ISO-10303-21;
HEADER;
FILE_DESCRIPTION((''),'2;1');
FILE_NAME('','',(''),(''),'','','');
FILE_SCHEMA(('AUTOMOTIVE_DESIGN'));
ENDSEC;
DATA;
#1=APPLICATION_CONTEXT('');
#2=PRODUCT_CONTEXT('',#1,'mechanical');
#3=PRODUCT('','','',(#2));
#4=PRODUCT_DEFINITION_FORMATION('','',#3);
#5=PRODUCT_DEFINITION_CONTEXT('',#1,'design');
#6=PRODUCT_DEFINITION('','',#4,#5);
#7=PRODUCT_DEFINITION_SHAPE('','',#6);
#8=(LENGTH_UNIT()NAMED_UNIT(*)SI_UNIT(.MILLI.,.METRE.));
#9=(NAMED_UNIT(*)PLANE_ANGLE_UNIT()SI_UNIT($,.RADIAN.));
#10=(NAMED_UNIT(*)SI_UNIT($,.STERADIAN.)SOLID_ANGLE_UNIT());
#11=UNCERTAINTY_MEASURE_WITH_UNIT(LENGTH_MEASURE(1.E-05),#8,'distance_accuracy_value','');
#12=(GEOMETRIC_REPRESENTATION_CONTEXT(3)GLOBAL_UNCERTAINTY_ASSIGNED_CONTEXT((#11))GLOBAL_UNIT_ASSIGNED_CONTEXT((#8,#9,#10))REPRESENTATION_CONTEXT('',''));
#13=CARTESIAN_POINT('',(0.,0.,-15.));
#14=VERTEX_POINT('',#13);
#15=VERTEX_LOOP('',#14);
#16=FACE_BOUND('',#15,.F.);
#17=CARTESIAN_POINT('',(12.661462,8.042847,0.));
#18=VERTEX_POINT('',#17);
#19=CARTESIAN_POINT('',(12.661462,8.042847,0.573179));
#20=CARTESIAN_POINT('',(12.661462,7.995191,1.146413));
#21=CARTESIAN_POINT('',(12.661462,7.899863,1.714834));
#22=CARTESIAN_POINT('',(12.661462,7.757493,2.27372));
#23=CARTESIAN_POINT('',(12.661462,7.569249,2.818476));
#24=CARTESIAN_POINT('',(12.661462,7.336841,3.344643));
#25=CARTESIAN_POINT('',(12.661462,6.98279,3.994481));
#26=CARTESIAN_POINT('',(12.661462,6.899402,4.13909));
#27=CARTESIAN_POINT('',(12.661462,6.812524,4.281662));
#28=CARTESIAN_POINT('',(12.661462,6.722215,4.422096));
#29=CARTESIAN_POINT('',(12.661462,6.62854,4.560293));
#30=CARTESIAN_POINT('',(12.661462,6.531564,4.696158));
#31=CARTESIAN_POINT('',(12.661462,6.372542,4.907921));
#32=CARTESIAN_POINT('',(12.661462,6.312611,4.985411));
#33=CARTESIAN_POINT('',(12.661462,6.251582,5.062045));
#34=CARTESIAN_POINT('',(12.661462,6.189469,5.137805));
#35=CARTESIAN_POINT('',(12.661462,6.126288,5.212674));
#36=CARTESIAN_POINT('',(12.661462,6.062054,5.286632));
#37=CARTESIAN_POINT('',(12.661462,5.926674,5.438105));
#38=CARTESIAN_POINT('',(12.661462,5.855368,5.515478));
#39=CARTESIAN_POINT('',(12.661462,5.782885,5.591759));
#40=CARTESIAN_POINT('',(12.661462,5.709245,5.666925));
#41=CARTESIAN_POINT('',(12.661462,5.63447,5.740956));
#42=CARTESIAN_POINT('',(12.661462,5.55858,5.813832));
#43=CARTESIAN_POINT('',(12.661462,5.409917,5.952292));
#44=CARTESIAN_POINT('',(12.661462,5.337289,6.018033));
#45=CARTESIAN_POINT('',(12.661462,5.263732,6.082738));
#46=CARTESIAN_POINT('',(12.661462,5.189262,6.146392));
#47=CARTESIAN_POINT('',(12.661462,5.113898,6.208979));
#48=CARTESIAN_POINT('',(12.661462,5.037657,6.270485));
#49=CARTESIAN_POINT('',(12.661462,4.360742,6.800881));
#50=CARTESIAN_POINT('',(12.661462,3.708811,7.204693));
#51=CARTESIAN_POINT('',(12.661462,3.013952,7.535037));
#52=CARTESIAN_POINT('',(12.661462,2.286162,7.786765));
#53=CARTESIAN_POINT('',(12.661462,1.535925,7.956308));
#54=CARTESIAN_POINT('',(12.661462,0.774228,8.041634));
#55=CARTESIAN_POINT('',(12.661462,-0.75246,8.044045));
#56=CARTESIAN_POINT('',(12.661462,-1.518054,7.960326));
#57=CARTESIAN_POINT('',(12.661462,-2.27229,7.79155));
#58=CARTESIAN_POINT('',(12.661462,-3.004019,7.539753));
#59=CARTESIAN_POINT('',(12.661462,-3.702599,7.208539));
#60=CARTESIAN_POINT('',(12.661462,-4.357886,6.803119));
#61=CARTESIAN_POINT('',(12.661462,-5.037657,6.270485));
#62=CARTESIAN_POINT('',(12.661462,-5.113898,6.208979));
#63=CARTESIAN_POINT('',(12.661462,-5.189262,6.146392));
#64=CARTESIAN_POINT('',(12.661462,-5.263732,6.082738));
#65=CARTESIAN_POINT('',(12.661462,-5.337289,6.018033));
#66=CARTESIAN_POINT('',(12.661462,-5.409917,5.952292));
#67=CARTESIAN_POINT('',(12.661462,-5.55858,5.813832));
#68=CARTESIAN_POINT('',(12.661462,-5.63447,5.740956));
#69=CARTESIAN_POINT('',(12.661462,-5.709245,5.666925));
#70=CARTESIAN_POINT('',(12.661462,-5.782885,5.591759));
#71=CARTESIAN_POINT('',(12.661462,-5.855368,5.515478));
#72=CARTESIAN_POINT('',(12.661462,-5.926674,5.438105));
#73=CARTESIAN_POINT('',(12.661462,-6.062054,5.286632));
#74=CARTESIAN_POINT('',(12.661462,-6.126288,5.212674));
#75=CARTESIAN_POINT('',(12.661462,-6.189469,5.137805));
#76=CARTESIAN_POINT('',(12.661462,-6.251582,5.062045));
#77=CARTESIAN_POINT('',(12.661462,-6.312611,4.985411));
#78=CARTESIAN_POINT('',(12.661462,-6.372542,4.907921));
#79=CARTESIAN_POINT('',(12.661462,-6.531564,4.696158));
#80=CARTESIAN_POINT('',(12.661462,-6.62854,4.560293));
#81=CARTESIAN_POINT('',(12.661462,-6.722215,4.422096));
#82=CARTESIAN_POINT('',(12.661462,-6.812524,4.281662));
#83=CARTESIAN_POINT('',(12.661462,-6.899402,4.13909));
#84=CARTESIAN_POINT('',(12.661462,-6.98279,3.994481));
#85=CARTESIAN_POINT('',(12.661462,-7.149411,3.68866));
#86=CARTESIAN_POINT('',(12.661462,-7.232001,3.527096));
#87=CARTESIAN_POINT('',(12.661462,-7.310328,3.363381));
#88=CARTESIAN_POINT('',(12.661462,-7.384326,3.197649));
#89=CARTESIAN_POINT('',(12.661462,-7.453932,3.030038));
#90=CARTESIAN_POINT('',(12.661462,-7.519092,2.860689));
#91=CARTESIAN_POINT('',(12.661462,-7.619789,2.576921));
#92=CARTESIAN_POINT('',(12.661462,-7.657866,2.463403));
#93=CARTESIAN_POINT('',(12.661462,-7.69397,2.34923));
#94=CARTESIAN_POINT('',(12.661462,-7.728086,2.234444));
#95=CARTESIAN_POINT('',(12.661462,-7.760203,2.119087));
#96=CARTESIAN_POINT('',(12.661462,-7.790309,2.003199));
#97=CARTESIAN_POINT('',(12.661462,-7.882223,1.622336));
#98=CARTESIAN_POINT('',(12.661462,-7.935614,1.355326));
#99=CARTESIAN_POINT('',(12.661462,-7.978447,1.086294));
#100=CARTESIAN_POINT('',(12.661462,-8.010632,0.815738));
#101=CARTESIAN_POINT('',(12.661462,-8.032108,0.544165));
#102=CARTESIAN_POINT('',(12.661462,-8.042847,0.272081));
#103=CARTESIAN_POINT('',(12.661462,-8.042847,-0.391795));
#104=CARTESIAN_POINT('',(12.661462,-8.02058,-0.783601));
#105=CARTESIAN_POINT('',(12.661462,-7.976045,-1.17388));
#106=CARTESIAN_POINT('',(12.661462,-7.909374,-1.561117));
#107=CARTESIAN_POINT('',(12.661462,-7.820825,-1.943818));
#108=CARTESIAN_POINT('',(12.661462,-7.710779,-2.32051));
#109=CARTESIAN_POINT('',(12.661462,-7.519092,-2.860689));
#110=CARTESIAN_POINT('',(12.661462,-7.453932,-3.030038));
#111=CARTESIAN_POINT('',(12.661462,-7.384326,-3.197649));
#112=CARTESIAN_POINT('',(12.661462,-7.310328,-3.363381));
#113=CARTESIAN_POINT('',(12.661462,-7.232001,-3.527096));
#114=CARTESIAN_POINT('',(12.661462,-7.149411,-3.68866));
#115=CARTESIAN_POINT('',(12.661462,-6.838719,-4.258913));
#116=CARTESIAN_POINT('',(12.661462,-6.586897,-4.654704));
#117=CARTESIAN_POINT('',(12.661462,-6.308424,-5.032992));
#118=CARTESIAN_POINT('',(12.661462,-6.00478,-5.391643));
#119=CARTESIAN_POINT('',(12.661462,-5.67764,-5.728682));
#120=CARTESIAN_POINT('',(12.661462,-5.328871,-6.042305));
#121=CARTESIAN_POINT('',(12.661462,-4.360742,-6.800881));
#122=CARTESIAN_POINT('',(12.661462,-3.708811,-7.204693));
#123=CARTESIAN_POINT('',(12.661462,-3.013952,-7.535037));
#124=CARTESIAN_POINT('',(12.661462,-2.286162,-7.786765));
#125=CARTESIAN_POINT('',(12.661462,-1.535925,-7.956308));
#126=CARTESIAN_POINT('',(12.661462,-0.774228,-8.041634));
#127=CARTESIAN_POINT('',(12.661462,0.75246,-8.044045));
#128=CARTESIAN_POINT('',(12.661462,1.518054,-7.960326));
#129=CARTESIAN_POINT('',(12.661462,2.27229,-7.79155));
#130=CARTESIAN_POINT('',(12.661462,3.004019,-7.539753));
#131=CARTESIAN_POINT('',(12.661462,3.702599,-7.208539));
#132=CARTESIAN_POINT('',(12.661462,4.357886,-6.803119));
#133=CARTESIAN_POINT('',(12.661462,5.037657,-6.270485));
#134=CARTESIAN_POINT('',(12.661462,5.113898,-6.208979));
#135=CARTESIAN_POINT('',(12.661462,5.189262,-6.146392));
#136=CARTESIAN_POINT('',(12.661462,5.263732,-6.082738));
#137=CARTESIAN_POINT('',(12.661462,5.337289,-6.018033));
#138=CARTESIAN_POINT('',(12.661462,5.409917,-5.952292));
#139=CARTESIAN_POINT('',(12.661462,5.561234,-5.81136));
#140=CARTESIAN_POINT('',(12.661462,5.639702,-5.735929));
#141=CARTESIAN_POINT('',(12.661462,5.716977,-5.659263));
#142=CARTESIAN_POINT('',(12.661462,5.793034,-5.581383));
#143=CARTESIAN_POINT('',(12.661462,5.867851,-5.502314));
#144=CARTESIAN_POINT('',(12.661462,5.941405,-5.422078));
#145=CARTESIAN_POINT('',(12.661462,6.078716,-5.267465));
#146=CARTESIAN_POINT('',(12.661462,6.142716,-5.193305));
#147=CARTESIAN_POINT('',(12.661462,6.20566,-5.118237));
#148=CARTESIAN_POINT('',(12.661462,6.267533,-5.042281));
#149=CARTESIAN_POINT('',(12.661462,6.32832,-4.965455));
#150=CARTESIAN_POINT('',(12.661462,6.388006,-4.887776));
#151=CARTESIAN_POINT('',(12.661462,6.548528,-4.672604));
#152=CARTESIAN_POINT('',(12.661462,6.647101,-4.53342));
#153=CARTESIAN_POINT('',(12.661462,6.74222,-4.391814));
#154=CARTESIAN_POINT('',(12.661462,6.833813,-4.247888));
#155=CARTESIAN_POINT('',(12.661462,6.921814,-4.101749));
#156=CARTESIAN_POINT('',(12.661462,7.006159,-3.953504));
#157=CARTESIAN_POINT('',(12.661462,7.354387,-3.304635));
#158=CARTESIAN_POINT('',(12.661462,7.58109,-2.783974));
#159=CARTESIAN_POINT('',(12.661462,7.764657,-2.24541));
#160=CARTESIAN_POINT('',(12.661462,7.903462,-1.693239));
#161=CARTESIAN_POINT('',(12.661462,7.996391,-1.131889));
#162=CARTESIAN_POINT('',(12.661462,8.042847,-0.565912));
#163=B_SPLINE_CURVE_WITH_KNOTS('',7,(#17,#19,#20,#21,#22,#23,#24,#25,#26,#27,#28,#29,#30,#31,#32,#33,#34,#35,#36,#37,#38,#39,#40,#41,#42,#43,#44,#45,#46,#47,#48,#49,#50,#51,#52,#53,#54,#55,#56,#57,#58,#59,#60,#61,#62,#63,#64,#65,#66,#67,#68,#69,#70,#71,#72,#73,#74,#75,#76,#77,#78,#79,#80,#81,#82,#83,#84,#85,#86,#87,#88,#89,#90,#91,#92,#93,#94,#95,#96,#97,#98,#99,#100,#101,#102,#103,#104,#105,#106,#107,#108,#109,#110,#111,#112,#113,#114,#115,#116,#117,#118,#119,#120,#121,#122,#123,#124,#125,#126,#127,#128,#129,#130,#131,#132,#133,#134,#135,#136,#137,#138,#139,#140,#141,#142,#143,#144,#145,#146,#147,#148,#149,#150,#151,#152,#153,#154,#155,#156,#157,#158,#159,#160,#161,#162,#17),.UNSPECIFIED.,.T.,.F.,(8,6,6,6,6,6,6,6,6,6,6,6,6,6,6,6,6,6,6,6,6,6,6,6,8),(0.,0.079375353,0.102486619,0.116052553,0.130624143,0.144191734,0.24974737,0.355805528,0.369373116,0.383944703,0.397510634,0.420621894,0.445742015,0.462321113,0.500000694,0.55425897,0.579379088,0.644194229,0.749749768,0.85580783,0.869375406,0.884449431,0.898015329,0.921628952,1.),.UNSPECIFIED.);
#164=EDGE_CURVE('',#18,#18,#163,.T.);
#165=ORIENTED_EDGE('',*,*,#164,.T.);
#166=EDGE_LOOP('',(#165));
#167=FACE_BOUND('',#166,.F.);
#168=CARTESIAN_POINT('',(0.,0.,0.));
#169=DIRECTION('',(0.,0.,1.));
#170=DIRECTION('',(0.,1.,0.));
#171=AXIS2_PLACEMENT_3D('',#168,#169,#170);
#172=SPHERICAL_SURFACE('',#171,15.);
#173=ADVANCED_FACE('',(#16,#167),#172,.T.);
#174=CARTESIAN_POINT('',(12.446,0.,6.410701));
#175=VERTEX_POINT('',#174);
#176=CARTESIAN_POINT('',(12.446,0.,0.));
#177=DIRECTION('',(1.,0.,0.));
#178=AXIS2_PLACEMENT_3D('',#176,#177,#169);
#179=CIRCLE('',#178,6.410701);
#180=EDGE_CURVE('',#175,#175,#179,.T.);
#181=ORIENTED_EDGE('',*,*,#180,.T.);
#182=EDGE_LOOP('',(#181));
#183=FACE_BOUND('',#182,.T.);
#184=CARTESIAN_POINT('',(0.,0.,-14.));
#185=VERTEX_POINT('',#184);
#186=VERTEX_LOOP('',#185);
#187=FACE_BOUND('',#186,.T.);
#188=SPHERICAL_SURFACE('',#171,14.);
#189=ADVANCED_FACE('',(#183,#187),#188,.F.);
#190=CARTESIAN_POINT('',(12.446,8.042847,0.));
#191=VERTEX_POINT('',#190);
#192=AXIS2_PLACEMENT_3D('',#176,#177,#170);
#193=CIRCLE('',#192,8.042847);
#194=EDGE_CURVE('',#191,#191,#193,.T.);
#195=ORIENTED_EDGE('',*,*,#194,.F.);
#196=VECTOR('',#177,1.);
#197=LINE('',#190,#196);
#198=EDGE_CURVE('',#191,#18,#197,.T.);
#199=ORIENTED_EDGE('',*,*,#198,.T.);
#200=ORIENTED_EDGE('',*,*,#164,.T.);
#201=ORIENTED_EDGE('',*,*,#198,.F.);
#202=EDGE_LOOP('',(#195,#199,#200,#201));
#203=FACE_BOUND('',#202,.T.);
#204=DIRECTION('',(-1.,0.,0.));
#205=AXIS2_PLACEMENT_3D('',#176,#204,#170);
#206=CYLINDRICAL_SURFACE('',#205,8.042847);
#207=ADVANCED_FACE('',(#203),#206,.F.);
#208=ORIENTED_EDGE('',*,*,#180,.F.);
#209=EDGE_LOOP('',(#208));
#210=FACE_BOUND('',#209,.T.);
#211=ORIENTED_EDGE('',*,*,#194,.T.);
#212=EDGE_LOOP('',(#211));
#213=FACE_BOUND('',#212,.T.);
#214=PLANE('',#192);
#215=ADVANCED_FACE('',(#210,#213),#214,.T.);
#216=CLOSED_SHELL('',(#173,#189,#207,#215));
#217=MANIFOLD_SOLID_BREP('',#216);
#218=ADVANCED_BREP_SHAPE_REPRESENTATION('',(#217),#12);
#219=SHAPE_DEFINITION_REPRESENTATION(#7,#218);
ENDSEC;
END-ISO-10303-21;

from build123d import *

# Parameters (mm, degrees)
F4_T     = -1
F3_R     = 8.042846649
F5_DEPTH = 25.4


with BuildPart() as f1:
    # F0 (on Right) → F1 (revolve)
    with BuildSketch(Plane.YZ):
        with BuildLine():
            ThreePointArc((0, -15), (10.6066017178, -10.6066017178), (15, 0))
            ThreePointArc((15, 0), (10.6066017178, 10.6066017178), (0, 15))
            Line((0, 15), (0, -15))
        make_face()
    revolve(axis=Axis((0, 0, 0), (0, 0, -1)))

    # F4 (hollow: no face is removed)
    offset(amount=F4_T, mode=Mode.SUBTRACT)

    # F3 (on offset) → F5 (cut)
    with BuildSketch(Plane.YZ.offset(12.446)):
        Circle(F3_R)
    extrude(amount=F5_DEPTH, mode=Mode.SUBTRACT)


solid = f1.part
